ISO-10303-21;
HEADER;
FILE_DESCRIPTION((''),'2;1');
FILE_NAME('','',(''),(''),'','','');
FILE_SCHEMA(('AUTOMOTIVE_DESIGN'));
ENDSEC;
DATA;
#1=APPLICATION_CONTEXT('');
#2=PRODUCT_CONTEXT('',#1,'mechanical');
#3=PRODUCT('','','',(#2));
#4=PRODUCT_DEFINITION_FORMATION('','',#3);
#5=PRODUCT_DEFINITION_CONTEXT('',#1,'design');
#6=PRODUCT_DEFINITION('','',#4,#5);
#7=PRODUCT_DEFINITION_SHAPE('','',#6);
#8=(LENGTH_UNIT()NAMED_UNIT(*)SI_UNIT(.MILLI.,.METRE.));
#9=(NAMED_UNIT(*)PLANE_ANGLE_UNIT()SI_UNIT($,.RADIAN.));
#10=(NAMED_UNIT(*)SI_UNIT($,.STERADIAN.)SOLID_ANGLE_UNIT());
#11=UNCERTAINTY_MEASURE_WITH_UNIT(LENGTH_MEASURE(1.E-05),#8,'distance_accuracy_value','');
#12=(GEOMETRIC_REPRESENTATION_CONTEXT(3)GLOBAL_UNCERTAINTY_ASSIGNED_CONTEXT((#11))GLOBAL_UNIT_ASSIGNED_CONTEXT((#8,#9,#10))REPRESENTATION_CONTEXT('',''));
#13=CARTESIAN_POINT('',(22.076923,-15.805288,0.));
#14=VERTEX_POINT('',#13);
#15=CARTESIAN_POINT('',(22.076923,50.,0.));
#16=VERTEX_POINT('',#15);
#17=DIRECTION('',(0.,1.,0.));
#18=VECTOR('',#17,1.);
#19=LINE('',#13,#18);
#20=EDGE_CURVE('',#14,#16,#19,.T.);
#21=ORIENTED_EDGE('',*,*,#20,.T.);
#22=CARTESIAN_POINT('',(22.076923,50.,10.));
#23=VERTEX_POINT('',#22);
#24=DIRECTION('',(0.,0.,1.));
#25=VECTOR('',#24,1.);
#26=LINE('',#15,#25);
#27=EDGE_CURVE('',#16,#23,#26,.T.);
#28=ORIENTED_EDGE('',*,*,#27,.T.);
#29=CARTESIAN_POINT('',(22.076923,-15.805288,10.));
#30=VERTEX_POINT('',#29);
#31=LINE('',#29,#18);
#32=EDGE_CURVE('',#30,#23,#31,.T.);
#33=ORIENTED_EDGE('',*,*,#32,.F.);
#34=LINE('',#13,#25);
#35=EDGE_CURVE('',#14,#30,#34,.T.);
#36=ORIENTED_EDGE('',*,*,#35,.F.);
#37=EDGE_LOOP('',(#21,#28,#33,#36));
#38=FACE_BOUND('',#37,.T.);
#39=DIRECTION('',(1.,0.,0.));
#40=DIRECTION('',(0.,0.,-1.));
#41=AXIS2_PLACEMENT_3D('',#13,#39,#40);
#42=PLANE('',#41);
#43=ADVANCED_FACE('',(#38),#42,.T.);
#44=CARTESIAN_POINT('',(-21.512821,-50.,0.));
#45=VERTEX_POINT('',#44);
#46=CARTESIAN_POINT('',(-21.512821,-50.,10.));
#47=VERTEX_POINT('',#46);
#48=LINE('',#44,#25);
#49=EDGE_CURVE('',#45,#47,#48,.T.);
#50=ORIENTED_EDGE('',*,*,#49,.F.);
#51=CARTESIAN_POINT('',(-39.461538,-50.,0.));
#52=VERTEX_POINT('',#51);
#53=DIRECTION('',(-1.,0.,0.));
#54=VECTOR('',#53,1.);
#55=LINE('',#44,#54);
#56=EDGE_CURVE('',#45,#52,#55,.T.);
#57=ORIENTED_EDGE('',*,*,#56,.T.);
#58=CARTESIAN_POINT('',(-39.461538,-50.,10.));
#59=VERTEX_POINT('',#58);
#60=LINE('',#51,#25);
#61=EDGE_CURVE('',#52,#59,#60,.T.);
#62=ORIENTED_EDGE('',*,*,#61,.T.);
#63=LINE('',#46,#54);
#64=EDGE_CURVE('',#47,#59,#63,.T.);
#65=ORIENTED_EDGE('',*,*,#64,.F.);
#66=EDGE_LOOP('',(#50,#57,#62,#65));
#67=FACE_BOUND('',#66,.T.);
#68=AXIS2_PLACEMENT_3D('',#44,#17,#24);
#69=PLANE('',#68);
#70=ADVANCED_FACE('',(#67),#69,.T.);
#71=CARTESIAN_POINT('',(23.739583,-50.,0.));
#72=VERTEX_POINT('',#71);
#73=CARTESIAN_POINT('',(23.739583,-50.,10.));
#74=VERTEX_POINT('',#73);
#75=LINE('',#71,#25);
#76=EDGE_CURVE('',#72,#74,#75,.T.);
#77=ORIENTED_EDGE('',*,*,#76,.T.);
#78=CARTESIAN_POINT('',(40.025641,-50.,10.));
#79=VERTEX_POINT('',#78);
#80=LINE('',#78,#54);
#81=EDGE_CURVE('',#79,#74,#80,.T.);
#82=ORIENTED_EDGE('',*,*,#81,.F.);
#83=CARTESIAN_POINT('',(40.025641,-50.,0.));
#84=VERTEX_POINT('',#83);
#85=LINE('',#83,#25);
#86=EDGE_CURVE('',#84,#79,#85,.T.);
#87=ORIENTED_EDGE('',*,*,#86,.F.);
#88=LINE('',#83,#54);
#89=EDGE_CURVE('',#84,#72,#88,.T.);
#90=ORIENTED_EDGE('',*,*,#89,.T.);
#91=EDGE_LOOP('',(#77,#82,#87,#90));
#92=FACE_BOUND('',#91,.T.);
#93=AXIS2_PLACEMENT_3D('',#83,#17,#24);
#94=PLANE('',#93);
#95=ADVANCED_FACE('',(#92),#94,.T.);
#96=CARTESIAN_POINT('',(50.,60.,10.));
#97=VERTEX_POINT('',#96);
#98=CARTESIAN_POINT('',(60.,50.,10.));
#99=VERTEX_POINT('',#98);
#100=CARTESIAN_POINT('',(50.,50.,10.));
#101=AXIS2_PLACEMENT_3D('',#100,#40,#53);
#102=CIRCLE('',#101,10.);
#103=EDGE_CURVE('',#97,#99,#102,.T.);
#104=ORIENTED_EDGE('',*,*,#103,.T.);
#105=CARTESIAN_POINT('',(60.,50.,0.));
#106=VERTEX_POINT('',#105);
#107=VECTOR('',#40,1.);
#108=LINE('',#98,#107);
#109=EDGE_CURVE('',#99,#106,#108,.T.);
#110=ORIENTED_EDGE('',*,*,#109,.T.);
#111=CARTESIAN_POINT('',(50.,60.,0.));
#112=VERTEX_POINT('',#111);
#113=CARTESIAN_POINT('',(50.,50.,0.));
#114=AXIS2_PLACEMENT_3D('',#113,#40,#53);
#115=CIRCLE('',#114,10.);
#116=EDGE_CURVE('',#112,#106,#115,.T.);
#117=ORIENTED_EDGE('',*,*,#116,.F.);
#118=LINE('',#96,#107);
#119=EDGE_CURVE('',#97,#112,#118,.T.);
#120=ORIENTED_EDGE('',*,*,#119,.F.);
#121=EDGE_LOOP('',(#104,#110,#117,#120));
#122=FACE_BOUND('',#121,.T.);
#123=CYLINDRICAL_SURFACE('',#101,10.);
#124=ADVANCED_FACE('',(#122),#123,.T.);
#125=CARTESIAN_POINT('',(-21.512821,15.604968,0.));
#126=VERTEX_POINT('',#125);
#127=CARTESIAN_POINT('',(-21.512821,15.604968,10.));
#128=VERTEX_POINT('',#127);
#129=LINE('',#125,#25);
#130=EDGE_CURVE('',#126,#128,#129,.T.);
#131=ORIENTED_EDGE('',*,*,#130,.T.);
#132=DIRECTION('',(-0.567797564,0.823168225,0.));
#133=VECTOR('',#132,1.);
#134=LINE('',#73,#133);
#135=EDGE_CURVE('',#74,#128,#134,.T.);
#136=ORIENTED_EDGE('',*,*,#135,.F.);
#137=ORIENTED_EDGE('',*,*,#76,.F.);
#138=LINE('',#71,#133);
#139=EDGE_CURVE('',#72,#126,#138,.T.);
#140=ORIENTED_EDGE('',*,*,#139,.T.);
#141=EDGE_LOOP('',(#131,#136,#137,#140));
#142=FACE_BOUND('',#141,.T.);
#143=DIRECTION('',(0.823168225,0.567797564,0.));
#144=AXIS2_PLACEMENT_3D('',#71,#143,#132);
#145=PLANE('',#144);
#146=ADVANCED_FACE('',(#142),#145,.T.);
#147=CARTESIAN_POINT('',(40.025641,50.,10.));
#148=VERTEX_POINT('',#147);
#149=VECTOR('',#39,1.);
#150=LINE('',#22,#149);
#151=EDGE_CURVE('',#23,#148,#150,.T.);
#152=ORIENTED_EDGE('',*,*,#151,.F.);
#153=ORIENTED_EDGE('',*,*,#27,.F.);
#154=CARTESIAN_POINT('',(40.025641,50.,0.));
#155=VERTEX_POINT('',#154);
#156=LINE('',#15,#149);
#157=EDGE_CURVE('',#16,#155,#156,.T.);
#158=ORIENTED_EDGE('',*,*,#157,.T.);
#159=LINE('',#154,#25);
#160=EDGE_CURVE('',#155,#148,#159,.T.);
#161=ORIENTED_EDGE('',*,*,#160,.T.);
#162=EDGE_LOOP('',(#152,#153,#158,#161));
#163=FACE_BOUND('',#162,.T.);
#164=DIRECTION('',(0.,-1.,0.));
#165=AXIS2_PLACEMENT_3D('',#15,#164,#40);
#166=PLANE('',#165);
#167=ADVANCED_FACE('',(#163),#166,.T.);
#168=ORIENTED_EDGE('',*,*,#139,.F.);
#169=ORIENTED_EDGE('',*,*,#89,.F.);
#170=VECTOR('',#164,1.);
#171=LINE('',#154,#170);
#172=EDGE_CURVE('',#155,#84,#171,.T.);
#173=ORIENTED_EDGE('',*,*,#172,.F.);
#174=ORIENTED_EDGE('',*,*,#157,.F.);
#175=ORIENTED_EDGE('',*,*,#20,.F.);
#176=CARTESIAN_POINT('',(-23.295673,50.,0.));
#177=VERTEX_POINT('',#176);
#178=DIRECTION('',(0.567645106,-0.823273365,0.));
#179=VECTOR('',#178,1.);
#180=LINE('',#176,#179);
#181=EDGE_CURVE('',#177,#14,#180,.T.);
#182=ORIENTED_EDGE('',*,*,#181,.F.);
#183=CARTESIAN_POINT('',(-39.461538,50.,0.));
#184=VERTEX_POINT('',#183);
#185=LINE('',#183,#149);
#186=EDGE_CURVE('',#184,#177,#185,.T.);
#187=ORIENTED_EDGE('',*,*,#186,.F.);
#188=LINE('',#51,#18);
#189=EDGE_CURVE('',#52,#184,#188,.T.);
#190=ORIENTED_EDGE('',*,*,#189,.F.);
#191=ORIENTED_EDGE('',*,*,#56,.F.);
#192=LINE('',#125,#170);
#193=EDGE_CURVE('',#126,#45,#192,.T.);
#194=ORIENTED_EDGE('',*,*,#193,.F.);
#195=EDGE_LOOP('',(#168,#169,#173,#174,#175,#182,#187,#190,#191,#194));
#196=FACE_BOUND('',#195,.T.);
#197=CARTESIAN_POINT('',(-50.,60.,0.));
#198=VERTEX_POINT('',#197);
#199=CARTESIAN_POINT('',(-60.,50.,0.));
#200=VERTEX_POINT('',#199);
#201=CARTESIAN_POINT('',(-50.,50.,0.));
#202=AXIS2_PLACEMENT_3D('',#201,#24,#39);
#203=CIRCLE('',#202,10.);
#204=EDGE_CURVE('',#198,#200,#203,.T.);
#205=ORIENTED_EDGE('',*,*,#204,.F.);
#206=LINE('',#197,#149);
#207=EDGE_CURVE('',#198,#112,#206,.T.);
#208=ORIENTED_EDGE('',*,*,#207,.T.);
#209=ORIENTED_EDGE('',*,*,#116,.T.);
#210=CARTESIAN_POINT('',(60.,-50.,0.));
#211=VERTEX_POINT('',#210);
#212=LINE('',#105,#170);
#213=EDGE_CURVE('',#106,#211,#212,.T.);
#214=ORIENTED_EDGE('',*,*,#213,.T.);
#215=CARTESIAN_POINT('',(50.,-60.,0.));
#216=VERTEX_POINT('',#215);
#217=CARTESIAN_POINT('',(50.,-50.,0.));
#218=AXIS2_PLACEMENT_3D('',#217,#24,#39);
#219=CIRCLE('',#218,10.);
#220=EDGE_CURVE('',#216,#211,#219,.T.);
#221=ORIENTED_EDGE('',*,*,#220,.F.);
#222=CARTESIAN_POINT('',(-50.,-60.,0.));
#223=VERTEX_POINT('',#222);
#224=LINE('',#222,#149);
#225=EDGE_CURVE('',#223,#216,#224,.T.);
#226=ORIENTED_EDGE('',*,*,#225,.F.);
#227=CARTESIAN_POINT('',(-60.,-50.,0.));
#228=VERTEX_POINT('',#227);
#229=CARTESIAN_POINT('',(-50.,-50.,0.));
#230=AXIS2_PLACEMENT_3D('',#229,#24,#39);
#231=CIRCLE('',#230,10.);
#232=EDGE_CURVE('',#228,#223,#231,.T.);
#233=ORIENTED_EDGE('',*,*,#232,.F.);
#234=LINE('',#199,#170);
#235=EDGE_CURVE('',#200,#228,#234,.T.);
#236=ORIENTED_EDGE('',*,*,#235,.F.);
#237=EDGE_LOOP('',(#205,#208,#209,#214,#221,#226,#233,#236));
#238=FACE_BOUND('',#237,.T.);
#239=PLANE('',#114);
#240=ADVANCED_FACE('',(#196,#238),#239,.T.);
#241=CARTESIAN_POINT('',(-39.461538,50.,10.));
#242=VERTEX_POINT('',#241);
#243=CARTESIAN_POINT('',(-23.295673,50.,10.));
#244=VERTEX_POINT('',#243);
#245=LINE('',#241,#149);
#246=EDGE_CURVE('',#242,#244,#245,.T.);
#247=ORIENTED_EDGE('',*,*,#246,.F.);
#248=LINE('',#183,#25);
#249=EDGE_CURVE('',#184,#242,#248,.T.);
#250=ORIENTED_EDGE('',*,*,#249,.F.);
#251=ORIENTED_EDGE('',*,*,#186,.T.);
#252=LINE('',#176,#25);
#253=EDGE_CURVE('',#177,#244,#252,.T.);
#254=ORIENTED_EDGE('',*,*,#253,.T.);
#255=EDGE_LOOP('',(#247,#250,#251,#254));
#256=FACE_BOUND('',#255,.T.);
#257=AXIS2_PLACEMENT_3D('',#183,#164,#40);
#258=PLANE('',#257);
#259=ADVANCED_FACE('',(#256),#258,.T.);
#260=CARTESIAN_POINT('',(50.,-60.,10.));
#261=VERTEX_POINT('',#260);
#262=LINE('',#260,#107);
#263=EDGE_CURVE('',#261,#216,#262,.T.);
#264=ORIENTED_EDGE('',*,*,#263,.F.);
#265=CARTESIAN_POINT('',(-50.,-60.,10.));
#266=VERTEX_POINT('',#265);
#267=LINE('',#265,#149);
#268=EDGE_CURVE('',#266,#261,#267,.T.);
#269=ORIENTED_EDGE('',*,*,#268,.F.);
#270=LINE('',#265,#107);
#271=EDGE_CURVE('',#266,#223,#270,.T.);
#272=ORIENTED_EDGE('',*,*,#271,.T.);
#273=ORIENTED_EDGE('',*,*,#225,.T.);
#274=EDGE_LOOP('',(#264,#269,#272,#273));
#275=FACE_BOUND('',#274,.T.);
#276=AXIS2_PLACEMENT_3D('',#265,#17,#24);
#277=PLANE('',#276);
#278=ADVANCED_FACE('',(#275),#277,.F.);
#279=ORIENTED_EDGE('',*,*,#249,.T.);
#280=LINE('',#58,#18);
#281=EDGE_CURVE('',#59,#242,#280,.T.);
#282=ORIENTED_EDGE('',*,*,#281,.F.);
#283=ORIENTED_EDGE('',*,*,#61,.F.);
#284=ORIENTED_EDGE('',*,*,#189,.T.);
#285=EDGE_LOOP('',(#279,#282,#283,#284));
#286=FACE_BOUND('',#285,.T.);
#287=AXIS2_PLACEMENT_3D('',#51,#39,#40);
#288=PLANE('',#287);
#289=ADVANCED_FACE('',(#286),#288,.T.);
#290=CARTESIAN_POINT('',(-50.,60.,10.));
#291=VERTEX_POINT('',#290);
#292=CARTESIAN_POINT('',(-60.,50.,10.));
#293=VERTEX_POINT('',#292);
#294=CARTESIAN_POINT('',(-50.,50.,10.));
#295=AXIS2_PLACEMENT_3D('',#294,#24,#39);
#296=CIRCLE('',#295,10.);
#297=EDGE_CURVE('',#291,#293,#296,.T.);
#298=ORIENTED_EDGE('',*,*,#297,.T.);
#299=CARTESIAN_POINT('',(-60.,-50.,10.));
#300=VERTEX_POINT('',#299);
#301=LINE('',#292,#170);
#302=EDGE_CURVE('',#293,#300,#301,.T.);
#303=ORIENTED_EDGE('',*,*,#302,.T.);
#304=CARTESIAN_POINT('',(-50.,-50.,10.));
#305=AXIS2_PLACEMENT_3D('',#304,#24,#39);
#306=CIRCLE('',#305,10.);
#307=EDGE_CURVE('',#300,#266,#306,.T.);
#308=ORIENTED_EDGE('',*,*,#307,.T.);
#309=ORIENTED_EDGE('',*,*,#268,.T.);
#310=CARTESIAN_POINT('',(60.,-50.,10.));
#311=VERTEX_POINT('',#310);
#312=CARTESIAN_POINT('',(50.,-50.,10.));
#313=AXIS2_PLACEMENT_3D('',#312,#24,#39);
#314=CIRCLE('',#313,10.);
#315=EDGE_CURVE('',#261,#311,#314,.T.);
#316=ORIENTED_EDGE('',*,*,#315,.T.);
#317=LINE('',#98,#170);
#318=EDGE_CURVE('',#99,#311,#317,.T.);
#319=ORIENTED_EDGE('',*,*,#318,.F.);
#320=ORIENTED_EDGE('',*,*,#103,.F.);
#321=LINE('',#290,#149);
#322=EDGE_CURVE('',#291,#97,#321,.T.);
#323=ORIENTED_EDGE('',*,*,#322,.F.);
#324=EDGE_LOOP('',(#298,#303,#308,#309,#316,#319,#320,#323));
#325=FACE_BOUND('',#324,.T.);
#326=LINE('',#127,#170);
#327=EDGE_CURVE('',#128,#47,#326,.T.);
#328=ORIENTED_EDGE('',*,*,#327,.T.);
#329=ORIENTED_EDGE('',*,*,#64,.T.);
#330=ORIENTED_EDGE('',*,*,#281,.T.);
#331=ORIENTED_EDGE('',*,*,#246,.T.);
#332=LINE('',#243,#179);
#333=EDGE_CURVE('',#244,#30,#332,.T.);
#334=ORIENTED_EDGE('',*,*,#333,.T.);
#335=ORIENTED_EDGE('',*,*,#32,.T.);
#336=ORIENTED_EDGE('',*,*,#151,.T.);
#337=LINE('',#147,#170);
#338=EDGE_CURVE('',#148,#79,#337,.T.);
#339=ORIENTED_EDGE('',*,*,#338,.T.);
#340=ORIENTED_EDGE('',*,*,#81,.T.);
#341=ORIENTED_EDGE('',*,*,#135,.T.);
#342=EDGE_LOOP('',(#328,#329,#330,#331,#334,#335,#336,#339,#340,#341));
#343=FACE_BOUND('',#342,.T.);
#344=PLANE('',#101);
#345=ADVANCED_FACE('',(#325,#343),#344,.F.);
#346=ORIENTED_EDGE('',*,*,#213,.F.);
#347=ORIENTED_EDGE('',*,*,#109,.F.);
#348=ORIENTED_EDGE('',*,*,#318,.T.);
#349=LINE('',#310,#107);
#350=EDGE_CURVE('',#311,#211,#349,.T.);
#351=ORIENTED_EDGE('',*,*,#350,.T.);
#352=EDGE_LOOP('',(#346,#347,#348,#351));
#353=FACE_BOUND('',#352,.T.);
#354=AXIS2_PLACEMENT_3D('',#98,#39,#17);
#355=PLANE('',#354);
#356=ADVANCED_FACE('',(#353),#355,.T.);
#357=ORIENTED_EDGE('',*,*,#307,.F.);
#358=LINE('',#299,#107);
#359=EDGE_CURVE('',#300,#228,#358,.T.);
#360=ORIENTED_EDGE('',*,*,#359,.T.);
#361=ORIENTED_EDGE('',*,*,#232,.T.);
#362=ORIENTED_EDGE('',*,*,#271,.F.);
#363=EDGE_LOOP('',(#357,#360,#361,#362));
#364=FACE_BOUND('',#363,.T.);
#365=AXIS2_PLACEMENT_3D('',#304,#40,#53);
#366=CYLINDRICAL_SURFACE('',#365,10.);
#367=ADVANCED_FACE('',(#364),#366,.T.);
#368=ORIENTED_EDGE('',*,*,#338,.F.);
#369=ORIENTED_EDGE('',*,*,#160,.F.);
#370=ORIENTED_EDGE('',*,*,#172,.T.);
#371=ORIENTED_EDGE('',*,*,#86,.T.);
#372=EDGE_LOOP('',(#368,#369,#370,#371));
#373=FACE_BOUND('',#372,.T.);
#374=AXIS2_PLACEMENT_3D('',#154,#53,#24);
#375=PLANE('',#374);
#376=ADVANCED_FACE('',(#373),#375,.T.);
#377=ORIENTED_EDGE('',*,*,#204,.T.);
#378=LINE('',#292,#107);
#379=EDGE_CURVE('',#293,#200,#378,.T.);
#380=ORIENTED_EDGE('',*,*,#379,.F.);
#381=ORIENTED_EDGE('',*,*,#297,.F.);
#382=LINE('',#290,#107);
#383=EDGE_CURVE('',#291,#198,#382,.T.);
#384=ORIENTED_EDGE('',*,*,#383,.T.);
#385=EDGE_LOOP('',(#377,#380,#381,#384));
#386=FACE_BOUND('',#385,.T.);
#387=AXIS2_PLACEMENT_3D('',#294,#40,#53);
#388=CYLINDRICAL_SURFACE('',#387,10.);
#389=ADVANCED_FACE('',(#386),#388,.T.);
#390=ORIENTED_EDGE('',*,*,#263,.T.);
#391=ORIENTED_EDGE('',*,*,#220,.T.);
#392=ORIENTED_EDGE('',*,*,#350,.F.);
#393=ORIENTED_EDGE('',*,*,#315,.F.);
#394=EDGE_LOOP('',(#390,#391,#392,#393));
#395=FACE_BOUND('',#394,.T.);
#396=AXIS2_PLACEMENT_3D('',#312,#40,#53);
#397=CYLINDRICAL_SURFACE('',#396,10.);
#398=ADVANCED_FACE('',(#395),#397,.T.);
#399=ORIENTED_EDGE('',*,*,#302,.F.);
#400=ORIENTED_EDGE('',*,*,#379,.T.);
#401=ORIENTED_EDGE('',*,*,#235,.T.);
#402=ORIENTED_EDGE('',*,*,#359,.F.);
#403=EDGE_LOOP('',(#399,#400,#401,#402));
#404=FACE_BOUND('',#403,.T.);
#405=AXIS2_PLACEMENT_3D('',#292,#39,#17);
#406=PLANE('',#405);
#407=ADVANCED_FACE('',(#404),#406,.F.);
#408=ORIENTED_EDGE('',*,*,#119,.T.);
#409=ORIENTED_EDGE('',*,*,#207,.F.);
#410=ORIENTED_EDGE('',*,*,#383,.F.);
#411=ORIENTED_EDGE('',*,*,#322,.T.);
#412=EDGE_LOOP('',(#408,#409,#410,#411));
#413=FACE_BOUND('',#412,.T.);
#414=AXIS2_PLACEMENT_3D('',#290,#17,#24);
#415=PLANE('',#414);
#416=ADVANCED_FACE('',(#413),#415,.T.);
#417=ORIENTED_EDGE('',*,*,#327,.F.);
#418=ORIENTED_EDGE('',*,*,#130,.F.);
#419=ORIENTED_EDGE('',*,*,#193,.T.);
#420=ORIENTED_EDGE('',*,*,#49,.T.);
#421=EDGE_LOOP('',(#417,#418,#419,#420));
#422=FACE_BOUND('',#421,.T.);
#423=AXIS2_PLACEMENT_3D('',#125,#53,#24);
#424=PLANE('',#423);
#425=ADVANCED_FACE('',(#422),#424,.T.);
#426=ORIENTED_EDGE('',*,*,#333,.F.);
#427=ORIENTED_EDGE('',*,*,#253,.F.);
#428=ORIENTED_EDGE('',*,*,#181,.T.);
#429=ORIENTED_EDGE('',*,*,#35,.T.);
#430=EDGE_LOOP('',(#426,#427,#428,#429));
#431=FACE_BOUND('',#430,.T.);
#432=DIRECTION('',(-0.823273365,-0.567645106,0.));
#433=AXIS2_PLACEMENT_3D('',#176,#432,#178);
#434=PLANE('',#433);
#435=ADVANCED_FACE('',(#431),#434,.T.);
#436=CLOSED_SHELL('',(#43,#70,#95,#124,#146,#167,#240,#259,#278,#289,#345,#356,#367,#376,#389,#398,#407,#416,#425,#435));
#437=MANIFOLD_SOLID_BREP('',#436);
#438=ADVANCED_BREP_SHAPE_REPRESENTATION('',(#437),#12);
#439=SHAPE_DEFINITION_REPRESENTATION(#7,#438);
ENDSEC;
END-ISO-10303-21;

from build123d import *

# Parameters (mm, degrees)
BOSS_EXTRUDE1_DEPTH = 10
CUT_EXTRUDE27_DEPTH = 10


with BuildPart() as part:
    # Sketch1 → Boss-Extrude1 (new body)
    with BuildSketch(Plane.XY):
        with BuildLine():
            Line((-50, 60), (50, 60))
            ThreePointArc((50, 60), (57.071067812, 57.071067812), (60, 50))
            Line((60, 50), (60, -50))
            ThreePointArc((60, -50), (57.071067812, -57.071067812), (50, -60))
            Line((50, -60), (-50, -60))
            ThreePointArc((-50, -60), (-57.071067812, -57.071067812), (-60, -50))
            Line((-60, -50), (-60, 50))
            ThreePointArc((-60, 50), (-57.071067812, 57.071067812), (-50, 60))
        make_face()
    extrude(amount=BOSS_EXTRUDE1_DEPTH)

    # Sketch2 → Cut-Extrude27 (cut)
    with BuildSketch(Plane.XY.offset(10)):
        Polygon((-39.461538462, 50), (-23.295673077, 50), (22.076923077, -15.805288462), (22.076923077, 50), (40.025641026, 50), (40.025641026, -50), (23.739583333, -50), (-21.512820513, 15.604967949), (-21.512820513, -50), (-39.461538462, -50), align=None)
    extrude(amount=-CUT_EXTRUDE27_DEPTH, mode=Mode.SUBTRACT)


solid = part.part
